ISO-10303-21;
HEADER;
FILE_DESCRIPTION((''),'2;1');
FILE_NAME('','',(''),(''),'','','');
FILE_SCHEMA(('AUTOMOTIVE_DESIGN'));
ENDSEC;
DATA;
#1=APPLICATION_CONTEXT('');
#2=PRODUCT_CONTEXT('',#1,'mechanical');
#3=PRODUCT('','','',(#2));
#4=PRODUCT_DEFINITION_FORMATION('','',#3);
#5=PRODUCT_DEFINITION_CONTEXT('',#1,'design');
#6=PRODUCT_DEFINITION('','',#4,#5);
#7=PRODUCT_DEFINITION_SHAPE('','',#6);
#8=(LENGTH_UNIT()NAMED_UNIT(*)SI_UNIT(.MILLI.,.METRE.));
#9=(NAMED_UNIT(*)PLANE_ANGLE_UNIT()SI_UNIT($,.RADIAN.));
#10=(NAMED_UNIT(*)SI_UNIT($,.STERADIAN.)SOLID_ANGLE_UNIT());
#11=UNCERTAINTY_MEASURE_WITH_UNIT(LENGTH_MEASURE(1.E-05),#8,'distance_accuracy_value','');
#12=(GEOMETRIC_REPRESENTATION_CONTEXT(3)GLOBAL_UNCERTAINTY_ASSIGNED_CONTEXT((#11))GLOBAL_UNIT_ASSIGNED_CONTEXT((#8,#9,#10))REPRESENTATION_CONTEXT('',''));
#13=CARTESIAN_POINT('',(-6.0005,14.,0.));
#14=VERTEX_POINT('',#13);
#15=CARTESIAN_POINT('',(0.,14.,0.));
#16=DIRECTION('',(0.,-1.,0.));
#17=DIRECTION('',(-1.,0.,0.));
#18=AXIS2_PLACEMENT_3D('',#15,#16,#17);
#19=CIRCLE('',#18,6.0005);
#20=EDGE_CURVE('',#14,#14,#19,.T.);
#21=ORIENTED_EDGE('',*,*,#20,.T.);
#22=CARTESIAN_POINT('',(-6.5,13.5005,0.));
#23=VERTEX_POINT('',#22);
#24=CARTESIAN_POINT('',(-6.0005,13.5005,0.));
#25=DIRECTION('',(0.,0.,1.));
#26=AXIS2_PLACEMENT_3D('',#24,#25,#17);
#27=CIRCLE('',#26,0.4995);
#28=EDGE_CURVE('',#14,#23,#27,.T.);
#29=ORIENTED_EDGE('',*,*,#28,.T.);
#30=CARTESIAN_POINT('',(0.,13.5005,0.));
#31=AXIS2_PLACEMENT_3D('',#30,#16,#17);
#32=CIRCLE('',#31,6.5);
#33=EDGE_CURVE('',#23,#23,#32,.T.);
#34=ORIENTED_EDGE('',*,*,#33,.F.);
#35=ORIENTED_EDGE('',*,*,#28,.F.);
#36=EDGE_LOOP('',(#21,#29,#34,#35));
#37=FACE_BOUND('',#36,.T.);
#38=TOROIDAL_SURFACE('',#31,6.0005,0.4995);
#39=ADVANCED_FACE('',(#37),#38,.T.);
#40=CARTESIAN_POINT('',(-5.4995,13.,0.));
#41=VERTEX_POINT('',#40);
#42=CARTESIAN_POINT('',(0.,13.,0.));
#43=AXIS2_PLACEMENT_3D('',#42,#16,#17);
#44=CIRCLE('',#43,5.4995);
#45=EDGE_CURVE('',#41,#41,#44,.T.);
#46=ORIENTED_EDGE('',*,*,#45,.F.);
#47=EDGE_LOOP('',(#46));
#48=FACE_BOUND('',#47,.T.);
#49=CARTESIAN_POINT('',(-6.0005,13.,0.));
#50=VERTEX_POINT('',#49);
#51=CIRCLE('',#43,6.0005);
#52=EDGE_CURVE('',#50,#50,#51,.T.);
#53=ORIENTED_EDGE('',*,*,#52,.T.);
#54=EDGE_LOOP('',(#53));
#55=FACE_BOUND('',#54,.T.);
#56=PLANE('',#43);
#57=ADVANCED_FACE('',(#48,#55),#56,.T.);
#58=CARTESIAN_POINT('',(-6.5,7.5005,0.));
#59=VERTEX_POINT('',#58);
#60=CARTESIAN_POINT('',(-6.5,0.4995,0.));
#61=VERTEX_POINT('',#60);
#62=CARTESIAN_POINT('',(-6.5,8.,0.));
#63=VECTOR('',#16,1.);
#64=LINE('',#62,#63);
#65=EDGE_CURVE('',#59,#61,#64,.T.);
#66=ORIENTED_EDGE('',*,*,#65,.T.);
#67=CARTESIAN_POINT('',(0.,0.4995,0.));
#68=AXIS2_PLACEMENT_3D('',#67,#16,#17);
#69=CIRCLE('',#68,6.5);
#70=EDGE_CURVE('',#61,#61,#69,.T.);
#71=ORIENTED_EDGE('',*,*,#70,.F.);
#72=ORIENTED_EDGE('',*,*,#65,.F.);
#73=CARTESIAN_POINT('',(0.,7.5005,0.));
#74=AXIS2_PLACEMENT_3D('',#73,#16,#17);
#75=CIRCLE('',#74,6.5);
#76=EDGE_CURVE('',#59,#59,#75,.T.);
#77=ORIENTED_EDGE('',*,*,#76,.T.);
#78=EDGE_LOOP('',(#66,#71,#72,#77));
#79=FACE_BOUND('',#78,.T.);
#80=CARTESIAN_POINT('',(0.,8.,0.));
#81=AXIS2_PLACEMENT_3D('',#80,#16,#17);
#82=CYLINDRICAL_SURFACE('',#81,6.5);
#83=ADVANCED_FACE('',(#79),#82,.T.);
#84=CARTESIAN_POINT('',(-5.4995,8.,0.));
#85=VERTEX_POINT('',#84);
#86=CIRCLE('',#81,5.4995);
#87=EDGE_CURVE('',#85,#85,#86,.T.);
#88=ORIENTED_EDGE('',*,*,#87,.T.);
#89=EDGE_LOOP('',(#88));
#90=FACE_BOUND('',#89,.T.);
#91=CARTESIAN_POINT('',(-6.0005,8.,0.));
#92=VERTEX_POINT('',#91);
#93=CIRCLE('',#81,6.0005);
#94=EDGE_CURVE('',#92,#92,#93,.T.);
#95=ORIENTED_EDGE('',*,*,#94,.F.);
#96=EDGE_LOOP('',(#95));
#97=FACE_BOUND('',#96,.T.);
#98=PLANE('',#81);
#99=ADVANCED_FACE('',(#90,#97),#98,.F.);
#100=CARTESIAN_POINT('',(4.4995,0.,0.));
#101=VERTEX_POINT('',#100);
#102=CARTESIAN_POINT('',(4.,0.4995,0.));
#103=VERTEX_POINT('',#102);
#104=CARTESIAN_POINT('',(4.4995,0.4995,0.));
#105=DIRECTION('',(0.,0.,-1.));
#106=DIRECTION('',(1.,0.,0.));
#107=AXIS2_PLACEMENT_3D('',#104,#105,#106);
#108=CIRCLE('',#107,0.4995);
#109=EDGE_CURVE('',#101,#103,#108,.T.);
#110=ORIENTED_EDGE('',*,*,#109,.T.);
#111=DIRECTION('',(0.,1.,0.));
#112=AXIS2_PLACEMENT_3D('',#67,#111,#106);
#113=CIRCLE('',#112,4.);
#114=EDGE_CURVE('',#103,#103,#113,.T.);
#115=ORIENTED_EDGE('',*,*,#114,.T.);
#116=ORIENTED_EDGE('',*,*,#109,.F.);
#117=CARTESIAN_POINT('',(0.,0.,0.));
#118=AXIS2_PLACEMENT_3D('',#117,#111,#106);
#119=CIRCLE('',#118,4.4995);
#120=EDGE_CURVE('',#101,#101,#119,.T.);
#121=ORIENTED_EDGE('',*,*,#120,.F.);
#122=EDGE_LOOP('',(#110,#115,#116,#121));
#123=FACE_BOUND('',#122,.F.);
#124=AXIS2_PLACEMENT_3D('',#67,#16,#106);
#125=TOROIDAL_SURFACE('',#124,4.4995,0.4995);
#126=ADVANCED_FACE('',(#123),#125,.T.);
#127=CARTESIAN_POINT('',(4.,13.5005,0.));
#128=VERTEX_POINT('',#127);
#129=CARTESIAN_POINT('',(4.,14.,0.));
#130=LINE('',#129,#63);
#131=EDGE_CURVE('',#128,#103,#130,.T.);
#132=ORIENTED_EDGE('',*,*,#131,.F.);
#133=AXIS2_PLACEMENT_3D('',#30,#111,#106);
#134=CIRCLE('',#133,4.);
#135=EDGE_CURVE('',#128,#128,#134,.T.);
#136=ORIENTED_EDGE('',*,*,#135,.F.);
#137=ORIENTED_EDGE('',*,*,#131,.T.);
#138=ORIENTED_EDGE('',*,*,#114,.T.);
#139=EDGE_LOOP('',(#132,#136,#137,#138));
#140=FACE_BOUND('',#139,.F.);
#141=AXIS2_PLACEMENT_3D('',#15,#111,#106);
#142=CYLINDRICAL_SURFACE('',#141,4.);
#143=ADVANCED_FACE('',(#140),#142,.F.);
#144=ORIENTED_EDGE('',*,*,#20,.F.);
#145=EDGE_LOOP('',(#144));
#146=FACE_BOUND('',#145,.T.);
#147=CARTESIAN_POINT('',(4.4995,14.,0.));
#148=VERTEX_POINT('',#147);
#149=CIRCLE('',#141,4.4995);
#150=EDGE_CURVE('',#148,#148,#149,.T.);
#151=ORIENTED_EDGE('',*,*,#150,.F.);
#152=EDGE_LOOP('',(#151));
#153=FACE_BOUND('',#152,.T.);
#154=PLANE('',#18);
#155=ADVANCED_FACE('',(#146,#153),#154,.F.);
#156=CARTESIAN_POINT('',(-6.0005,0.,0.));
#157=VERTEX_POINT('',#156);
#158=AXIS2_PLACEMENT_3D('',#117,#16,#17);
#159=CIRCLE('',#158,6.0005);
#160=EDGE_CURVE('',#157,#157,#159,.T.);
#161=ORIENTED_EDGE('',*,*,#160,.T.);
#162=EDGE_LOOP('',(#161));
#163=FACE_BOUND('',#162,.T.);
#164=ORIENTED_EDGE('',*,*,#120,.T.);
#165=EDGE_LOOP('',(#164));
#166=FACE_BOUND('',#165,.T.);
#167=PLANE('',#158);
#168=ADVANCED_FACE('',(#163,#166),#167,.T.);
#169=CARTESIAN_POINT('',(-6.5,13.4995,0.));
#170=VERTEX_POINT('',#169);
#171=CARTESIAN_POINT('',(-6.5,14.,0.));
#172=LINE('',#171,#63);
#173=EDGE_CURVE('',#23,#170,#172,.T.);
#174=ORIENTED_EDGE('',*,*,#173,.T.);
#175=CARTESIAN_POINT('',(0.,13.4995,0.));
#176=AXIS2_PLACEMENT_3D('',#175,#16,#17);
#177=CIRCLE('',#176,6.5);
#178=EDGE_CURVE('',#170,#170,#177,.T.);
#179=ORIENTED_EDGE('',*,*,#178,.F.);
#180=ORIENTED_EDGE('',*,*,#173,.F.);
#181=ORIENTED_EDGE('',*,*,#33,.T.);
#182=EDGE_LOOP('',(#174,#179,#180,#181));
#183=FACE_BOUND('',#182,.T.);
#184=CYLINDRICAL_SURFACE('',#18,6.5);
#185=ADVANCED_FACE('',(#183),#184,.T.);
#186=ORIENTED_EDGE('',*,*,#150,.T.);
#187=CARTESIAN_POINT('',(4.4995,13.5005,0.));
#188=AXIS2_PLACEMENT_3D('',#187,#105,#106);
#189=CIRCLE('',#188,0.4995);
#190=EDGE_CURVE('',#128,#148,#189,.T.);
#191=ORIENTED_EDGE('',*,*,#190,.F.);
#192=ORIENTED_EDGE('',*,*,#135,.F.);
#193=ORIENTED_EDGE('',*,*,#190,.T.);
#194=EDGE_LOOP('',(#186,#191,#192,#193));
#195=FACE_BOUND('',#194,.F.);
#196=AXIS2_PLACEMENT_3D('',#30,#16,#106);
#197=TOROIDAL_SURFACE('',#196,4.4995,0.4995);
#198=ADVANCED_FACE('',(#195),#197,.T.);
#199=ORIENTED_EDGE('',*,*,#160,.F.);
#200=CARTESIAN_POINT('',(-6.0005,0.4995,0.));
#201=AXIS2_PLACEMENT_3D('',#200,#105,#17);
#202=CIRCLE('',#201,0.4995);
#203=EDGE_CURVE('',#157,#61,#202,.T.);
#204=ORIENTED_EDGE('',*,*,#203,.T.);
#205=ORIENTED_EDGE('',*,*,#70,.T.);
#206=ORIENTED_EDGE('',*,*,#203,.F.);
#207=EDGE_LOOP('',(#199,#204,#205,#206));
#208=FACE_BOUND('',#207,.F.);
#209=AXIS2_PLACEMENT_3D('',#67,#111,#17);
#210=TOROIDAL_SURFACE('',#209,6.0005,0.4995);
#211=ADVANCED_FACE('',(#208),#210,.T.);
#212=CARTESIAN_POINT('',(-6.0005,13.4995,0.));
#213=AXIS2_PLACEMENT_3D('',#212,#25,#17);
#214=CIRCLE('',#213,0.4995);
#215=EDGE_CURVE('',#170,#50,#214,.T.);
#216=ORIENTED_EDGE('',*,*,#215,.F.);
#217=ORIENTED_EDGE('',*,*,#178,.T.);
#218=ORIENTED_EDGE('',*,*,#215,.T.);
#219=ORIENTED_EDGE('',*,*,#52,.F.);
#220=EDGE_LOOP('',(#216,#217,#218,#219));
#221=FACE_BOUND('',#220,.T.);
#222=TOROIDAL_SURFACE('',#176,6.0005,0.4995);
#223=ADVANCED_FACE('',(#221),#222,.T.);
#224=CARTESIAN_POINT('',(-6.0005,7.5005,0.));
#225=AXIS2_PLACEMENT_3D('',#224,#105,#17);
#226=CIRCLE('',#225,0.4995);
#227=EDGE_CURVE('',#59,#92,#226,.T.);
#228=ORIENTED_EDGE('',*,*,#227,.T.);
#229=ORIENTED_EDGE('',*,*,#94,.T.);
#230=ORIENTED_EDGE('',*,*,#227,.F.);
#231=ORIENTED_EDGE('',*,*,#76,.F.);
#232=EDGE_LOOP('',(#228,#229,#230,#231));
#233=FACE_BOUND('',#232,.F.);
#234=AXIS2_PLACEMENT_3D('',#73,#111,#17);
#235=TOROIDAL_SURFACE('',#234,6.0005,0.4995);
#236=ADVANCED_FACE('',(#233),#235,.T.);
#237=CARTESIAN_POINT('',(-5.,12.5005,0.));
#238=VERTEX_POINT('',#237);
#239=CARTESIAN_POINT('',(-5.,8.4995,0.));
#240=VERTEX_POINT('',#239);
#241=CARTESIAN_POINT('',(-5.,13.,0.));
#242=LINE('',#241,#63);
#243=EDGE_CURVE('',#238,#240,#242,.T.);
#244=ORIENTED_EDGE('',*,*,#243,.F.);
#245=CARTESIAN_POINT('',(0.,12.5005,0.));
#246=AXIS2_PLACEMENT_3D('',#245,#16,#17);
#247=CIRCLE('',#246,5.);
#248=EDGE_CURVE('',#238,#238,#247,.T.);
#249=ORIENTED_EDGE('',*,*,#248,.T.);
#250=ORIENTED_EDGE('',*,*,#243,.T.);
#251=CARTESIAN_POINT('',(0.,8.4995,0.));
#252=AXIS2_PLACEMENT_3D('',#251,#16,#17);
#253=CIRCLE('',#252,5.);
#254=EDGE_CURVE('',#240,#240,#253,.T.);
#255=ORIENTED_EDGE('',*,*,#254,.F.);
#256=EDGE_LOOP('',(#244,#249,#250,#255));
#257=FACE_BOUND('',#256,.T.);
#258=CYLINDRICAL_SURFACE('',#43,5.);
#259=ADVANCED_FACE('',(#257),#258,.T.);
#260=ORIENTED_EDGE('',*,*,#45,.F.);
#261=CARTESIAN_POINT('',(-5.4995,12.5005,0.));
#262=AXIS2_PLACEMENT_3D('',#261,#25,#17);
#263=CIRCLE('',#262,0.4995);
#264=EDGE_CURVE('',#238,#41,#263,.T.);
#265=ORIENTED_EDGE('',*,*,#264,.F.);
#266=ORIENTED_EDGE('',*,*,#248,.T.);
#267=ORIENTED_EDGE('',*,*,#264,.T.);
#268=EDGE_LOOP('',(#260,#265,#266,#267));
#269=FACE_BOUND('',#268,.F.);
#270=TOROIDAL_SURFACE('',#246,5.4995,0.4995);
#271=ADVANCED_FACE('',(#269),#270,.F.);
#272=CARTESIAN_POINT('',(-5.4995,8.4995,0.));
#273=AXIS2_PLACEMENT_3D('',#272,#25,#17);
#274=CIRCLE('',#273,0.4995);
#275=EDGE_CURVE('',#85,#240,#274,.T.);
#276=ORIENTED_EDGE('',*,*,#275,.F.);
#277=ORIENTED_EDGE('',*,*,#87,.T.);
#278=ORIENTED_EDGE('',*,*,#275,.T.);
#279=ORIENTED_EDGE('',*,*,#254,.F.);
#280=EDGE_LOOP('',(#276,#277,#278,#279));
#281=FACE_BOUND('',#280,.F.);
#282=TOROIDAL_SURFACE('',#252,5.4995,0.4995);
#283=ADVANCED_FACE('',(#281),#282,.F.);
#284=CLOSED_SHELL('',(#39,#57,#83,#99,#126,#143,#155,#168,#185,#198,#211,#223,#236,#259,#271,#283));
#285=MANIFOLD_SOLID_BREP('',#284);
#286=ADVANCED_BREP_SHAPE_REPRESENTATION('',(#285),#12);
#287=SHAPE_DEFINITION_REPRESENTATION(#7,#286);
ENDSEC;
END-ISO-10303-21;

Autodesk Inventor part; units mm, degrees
ref_plane "YZ Plane" through (0, 0, 0) normal (1, 0, 0) x (0, 1, 0)
ref_plane "XZ Plane" through (0, 0, 0) normal (0, 1, 0) x (-1, 0, 0)
ref_plane "XY Plane" through (0, 0, 0) normal (0, 0, 1) x (1, 0, 0)
sketch "Skizze1" plane through (0, 0, 0) normal (0, 0, 1) x (1, 0, 0)
  line L0 (0, 14) -> (-6.5, 14)
  line L1 (-6.5, 14) -> (-6.5, 13)
  line L2 (-6.5, 13) -> (-5, 13)
  line L3 (-5, 13) -> (-5, 8)
  line L4 (-5, 8) -> (-6.5, 8)
  line L5 (-6.5, 8) -> (-6.5, 0)
  line L6 (-6.5, 0) -> (0, 0)
  line L7 (0, 0) -> (-6.5, 0)
  line L8 (0, 0) -> (0, 14)
  line L9 (0, 13.1706) -> (0, 10.9789)
  dimension "d0" = 8
  dimension "d1" = 5
  dimension "d2" = 1
  dimension "d3" = 10
  dimension "d4" = 13
revolve "Umdrehung1" add sketch "Skizze1" angle 360 about axis through (0, 13.1706, 0) along (0, -1, 0)
sketch "Sketch2" plane through (0, 14, 0) normal (0, 1, 0) x (1, 0, 0)
  circle A0 centre (0, 0) radius 4
  dimension "d6" = 8
extrude "Extrusion1" cut sketch "Sketch2" against normal blind 20
fillet "Fillet1" radius 0.5 8 edges at (6.5, 14, 0) (6.5, 13, 0) (5, 8, 0) (6.5, 8, 0) (6.5, 0, 0) (5, 13, 0) (-4, 0, 0) (-4, 14, 0)
properties part number "Umlenkrolle"
